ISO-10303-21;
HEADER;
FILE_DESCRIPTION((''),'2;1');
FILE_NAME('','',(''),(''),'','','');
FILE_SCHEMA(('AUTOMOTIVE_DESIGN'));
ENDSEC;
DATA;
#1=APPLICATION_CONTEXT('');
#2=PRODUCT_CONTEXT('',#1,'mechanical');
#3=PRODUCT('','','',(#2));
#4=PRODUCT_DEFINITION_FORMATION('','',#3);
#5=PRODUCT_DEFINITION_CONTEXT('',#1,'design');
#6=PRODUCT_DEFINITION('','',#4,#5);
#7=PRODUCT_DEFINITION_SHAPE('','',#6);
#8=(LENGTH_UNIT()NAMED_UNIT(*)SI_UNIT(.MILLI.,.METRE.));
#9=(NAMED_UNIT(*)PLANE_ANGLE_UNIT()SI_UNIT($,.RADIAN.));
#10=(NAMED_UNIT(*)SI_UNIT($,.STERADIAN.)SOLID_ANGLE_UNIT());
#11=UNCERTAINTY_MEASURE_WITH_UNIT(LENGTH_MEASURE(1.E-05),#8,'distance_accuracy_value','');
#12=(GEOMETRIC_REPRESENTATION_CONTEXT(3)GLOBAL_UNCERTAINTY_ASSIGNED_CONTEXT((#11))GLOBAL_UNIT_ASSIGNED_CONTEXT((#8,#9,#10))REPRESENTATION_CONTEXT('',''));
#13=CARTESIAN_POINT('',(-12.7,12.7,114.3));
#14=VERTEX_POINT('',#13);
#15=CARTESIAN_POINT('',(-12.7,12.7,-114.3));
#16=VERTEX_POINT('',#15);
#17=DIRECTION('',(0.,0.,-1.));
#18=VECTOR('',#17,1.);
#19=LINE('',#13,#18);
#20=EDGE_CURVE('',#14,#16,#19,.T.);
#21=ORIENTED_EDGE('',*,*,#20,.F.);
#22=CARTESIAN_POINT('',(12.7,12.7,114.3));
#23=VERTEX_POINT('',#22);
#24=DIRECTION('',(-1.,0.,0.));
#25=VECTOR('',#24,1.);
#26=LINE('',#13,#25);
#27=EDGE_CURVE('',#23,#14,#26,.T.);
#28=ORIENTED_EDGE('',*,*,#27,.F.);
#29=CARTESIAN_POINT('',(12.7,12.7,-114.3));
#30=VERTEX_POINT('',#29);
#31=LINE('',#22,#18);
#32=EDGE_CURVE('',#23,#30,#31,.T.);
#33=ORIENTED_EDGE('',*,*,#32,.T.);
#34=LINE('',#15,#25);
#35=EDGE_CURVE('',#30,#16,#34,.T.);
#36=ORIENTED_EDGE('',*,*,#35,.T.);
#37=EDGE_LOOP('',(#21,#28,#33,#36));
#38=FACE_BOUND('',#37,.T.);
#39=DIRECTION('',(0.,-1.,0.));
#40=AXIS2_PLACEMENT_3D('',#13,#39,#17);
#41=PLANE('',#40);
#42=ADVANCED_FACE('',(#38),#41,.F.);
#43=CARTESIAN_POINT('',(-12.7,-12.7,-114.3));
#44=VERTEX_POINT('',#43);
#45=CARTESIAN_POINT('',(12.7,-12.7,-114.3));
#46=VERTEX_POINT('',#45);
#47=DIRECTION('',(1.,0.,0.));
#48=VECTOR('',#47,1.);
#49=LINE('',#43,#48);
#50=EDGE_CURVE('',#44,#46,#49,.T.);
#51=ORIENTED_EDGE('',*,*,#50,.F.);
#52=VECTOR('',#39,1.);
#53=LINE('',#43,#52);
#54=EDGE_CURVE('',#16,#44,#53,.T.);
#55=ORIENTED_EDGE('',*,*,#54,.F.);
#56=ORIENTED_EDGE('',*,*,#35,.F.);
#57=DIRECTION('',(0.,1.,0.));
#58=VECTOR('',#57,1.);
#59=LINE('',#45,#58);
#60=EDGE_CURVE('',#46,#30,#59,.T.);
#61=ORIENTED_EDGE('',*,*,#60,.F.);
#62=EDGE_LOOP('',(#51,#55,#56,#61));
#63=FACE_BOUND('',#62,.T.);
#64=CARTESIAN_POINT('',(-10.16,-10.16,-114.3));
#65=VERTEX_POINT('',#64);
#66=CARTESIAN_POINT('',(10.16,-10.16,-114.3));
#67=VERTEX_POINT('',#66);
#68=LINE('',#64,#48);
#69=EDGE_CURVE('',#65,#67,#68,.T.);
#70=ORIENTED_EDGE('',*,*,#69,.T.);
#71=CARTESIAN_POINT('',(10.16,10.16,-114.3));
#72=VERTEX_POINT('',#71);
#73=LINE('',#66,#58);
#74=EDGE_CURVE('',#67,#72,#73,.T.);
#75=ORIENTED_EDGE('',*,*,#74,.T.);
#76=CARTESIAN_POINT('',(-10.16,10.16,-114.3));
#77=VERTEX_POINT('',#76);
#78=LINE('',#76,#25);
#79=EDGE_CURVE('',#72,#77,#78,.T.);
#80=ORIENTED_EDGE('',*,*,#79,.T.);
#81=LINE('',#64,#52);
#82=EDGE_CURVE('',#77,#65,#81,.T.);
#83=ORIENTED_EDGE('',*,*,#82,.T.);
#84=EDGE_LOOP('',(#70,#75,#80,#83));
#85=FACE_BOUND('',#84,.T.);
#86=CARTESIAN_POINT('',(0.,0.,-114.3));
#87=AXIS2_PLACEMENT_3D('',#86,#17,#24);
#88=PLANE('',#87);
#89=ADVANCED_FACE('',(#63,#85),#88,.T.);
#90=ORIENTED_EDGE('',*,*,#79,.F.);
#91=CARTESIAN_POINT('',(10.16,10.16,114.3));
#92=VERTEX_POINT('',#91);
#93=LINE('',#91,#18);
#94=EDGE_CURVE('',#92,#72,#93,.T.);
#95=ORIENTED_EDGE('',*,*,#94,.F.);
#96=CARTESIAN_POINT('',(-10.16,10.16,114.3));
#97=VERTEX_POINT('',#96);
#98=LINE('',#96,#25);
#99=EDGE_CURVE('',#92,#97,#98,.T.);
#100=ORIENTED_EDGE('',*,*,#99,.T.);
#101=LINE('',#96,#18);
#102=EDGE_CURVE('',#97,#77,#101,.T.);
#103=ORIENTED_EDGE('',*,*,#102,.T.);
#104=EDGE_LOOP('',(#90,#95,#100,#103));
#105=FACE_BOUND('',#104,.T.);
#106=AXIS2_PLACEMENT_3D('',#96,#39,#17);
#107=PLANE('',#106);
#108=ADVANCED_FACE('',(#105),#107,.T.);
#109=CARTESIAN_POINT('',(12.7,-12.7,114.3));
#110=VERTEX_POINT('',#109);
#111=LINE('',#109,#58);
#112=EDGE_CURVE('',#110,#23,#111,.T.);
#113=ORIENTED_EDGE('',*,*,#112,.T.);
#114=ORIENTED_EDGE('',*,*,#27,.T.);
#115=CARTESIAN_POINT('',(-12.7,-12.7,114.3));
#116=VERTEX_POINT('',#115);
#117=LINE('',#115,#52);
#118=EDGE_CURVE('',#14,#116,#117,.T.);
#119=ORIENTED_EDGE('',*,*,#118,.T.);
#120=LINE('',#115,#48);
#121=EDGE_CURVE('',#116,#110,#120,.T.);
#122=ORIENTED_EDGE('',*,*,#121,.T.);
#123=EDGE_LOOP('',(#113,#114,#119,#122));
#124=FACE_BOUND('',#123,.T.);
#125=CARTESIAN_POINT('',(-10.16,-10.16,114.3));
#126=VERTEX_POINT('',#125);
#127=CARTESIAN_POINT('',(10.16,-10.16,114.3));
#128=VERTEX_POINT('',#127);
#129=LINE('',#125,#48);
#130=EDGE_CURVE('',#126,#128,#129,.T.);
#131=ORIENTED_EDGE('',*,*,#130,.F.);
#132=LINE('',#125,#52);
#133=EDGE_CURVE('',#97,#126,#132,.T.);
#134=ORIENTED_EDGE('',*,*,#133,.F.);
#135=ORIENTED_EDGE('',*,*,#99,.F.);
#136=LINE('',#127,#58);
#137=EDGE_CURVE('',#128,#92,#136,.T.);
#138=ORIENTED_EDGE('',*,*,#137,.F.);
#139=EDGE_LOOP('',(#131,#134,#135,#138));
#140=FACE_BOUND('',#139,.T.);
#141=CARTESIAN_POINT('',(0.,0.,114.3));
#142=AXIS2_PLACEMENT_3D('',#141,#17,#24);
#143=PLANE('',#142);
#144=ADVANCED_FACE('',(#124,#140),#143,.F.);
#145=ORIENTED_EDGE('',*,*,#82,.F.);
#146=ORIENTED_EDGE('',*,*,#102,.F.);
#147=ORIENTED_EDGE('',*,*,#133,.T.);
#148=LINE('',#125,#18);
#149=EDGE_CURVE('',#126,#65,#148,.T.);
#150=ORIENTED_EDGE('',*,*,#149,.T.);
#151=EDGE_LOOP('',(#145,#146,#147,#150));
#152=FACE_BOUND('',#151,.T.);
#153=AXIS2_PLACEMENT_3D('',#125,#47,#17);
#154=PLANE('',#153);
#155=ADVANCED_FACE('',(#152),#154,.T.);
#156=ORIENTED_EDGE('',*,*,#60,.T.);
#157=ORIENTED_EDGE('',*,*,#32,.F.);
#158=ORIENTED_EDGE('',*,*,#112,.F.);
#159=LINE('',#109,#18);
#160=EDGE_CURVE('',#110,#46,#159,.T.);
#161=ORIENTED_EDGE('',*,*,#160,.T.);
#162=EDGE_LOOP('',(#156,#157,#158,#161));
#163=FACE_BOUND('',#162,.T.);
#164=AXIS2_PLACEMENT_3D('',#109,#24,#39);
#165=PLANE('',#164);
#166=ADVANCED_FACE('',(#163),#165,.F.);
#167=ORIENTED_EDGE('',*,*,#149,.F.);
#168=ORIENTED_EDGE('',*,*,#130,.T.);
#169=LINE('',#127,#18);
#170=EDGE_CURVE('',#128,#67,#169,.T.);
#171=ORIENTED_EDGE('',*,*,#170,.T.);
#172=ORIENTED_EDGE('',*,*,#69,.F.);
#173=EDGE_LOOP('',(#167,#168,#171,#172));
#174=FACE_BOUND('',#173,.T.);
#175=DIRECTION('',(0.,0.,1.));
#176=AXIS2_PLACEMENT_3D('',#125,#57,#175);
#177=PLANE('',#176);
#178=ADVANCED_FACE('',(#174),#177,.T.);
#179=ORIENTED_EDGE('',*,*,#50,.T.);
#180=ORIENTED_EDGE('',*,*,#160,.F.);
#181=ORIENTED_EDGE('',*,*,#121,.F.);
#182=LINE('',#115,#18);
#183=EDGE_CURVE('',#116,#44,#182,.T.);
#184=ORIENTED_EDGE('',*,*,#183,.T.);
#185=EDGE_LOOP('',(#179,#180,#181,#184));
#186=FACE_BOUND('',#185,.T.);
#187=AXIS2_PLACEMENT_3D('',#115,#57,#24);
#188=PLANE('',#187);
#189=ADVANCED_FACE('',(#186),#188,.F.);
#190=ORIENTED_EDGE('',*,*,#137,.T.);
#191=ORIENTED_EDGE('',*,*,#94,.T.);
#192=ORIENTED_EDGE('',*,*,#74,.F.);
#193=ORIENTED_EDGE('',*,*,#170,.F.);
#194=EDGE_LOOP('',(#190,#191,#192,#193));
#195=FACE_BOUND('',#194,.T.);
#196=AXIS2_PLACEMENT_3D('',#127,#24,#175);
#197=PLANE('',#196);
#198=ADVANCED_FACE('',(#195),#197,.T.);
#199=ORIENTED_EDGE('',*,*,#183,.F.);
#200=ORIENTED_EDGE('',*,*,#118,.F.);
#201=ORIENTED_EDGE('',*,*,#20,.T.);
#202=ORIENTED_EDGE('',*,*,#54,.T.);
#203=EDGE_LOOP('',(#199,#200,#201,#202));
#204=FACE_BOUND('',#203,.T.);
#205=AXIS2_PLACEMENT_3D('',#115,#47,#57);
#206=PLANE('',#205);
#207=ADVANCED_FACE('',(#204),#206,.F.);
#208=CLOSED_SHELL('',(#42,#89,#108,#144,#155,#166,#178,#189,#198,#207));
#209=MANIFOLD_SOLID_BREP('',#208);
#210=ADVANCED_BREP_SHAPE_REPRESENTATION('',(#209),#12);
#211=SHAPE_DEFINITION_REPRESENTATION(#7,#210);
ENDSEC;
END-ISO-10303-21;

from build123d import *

# Parameters (mm, degrees)
SKETCH1_W           = 25.4
SKETCH1_H           = 25.4
SKETCH1_W_2         = 20.32
SKETCH1_H_2         = 20.32
BOSS_EXTRUDE1_DEPTH = 114.3


with BuildPart() as part:
    # Sketch1 → Boss-Extrude1 (new, symmetric)
    with BuildSketch(Plane.XY):
        Rectangle(SKETCH1_W, SKETCH1_H)
        Rectangle(SKETCH1_W_2, SKETCH1_H_2, mode=Mode.SUBTRACT)
    extrude(amount=BOSS_EXTRUDE1_DEPTH, both=True)


solid = part.part
